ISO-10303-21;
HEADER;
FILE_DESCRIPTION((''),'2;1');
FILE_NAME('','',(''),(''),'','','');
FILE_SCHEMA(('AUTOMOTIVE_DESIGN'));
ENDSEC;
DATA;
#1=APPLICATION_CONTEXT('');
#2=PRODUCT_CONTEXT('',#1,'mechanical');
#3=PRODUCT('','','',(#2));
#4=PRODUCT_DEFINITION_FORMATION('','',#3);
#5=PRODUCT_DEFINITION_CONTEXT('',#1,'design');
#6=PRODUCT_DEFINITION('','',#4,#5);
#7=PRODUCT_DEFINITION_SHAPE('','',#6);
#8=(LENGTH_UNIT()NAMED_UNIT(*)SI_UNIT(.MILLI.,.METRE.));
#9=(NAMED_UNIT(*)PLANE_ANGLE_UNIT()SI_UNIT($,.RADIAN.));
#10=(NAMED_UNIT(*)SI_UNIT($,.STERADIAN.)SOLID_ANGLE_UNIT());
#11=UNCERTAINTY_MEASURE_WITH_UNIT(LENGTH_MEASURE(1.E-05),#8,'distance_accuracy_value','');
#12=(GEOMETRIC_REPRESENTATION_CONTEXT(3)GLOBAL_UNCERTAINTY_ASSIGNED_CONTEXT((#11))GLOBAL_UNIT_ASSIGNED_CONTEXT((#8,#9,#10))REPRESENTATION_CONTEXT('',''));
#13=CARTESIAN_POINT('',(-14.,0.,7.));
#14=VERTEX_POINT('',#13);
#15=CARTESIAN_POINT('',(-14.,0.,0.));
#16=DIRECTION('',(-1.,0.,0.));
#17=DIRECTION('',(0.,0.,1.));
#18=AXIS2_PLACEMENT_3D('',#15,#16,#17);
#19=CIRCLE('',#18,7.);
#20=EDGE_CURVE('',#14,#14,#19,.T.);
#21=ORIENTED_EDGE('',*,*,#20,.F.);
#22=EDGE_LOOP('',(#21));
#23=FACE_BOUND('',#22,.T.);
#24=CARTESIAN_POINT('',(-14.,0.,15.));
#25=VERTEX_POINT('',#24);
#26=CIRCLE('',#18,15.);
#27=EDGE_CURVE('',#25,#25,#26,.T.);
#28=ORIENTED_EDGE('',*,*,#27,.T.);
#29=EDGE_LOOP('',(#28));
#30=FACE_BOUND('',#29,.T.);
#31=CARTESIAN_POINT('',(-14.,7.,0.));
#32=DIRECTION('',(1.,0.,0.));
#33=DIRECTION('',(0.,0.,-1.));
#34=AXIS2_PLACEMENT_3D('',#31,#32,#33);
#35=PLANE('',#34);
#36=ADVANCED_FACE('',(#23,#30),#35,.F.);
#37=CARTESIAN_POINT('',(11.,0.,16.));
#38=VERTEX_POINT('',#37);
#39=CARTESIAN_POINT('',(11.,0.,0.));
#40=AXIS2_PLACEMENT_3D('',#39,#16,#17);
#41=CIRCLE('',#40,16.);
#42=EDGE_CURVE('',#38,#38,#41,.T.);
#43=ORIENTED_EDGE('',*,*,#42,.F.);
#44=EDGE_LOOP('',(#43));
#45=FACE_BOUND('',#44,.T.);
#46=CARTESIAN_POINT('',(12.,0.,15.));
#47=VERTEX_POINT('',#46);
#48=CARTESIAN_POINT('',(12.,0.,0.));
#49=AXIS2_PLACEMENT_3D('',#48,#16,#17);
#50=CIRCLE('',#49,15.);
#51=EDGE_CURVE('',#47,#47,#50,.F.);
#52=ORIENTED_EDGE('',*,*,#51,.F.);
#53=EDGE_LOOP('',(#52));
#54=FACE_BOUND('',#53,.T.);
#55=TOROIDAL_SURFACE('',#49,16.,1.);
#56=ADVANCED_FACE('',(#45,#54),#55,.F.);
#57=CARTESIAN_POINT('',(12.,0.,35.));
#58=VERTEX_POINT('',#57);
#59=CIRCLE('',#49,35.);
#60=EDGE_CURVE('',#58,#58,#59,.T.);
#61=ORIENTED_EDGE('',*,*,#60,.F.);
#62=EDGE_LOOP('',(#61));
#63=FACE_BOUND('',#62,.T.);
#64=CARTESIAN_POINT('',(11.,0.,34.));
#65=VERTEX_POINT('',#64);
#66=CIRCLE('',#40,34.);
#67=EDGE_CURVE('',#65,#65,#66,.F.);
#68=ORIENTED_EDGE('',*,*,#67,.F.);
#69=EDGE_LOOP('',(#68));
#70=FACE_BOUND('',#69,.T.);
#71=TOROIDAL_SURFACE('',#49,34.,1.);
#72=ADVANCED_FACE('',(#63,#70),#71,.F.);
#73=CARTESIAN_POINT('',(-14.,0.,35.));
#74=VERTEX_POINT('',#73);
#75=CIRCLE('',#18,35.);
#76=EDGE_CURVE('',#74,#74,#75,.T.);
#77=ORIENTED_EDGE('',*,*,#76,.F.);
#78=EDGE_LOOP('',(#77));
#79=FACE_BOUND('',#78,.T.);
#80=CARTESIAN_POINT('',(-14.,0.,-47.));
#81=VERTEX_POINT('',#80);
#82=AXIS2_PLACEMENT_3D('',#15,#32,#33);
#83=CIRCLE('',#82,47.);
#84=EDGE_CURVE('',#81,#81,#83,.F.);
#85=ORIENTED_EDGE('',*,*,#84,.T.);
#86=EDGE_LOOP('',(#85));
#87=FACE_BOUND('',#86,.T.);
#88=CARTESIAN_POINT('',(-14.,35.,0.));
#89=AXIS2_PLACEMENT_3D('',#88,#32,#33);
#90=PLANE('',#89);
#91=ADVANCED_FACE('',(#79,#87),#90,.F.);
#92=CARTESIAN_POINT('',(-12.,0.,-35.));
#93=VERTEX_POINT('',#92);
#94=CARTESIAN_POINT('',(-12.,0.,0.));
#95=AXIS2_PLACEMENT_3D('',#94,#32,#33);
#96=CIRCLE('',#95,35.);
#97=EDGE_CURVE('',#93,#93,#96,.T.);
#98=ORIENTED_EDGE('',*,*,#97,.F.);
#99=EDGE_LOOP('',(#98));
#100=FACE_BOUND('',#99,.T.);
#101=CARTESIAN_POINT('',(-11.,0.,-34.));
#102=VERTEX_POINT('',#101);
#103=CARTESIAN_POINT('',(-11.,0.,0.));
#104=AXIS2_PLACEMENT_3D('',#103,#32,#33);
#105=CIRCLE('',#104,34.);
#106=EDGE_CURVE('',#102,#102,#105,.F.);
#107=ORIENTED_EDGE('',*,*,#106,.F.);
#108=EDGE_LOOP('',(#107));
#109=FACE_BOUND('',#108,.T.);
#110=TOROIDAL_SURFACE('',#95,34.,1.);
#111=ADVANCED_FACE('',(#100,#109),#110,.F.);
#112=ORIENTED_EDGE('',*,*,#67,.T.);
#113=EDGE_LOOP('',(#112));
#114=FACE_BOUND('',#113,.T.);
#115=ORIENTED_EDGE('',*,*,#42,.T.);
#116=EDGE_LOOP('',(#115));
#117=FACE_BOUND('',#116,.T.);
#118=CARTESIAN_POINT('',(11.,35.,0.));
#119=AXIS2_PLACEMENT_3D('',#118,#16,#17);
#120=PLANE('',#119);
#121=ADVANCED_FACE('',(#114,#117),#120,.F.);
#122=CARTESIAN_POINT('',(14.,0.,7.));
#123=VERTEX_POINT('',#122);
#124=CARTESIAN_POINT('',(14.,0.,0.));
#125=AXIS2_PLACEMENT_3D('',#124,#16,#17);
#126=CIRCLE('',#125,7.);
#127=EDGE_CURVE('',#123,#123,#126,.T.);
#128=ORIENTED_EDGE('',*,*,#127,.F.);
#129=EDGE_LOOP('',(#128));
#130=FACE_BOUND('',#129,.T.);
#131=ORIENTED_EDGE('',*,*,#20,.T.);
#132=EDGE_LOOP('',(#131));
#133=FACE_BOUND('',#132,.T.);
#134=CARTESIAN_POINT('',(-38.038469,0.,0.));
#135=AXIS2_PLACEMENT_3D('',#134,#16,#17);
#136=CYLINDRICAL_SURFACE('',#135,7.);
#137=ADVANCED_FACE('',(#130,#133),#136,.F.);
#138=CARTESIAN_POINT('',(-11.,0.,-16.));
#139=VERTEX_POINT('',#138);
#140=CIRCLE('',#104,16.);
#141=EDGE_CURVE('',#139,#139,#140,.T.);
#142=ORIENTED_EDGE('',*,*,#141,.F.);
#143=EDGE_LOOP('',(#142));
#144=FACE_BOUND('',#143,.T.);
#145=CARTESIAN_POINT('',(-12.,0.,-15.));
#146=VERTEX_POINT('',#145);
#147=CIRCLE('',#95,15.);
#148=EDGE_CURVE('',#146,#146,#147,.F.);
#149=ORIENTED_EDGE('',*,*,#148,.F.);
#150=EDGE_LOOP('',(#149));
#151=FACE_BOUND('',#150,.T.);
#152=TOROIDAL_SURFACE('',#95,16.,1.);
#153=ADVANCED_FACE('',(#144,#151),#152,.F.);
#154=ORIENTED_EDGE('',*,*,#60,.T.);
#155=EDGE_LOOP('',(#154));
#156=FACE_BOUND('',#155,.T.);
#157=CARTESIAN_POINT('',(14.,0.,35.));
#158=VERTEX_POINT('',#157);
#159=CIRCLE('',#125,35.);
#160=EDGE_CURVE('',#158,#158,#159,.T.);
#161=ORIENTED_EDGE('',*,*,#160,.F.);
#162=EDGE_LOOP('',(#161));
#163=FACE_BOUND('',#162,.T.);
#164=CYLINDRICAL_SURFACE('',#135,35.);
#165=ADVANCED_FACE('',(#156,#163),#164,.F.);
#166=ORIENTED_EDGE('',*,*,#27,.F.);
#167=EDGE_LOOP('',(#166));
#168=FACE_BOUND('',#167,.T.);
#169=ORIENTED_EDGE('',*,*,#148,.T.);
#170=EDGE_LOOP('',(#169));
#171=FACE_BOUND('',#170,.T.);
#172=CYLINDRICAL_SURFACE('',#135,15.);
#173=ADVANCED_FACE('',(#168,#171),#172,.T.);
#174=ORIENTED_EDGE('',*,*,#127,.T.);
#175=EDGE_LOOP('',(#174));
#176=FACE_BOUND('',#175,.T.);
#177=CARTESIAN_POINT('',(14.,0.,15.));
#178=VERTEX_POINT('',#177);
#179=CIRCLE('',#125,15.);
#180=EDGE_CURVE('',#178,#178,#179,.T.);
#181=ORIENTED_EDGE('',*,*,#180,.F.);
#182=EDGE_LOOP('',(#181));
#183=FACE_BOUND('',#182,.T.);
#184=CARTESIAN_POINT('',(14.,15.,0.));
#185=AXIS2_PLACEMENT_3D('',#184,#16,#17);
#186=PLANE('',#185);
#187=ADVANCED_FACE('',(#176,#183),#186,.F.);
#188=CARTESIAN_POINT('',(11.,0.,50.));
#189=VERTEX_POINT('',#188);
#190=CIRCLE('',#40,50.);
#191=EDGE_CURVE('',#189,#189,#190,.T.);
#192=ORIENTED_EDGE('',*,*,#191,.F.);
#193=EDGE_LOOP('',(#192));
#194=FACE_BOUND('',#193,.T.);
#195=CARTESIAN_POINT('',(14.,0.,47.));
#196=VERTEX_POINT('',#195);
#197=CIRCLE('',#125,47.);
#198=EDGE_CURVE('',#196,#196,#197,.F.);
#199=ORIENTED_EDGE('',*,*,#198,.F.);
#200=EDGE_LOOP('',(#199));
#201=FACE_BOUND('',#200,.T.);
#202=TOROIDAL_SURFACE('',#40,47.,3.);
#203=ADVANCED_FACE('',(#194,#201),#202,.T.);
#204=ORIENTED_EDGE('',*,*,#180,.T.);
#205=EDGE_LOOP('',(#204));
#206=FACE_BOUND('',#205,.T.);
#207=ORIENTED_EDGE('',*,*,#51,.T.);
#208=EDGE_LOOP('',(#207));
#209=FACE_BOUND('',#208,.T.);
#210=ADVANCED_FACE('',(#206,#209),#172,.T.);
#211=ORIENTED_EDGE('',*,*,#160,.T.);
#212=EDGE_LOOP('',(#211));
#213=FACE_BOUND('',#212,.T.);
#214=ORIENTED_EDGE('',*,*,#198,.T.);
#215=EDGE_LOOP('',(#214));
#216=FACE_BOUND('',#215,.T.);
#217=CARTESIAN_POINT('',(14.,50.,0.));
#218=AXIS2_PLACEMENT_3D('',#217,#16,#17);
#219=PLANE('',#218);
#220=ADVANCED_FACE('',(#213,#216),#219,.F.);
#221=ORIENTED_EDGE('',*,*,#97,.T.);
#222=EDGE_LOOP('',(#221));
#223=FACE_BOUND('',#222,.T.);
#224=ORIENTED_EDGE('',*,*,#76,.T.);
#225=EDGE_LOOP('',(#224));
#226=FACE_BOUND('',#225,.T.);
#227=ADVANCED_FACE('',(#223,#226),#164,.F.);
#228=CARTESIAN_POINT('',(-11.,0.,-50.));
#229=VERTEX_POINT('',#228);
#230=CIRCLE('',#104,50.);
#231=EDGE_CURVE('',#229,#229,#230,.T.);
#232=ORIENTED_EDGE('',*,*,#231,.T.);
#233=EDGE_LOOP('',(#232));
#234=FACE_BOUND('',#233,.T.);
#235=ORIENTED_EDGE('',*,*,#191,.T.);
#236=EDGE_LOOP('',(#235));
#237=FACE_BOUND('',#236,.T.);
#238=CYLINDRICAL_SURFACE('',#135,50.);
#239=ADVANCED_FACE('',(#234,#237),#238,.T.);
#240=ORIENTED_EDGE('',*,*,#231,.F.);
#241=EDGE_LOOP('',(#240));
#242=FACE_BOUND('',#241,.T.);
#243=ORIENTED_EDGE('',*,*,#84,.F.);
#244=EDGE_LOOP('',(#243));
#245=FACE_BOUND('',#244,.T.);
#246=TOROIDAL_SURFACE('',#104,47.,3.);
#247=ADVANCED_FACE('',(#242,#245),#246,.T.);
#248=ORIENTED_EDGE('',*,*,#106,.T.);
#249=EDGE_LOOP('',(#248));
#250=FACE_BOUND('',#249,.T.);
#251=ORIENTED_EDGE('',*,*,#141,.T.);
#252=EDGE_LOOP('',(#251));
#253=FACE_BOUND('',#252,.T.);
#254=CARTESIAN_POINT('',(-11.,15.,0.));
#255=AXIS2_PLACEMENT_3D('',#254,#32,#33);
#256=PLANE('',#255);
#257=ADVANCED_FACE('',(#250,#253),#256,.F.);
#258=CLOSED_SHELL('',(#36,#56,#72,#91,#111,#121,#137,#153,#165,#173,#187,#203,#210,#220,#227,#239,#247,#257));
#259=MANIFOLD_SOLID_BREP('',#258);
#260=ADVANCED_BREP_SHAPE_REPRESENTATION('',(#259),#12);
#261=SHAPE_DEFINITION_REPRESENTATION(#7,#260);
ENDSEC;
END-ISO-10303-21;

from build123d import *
from OCP.BRepFilletAPI import BRepFilletAPI_MakeFillet

# Parameters (mm, degrees)
REDONDEO1_R1 = 1
REDONDEO1_R2 = 3


with BuildPart() as part:
    # Croquis1 → Revolución2 (revolve)
    with BuildSketch(Plane.XY):
        Polygon((-14, 7), (14, 7), (14, 15), (11, 15), (11, 35), (14, 35), (14, 50), (-14, 50), (-14, 35), (-11, 35), (-11, 15), (-14, 15), align=None)
    revolve(axis=Axis((-38.038468992, 0, 0), (1, 0, 0)))

    # Redondeo1: one fillet with a radius per group of edges: ONE call of the kernel's fillet builder (fillet() takes one radius for all edges)
    redondeo1_edges_1 = [part.edges().sort_by_distance(p)[0] for p in [
        (11, -15, 0),
        (11, -35, 0),
        (-11, -35, 0),
        (-11, -15, 0),
    ]]
    redondeo1_edges_2 = [part.edges().sort_by_distance(p)[0] for p in [
        (14, -50, 0),
        (-14, -50, 0),
    ]]
    redondeo1 = BRepFilletAPI_MakeFillet(part.part.solid().wrapped)
    for e in redondeo1_edges_1:
        redondeo1.Add(REDONDEO1_R1, e.wrapped)
    for e in redondeo1_edges_2:
        redondeo1.Add(REDONDEO1_R2, e.wrapped)
    add(Compound.cast(redondeo1.Shape()), mode=Mode.REPLACE)


solid = part.part
